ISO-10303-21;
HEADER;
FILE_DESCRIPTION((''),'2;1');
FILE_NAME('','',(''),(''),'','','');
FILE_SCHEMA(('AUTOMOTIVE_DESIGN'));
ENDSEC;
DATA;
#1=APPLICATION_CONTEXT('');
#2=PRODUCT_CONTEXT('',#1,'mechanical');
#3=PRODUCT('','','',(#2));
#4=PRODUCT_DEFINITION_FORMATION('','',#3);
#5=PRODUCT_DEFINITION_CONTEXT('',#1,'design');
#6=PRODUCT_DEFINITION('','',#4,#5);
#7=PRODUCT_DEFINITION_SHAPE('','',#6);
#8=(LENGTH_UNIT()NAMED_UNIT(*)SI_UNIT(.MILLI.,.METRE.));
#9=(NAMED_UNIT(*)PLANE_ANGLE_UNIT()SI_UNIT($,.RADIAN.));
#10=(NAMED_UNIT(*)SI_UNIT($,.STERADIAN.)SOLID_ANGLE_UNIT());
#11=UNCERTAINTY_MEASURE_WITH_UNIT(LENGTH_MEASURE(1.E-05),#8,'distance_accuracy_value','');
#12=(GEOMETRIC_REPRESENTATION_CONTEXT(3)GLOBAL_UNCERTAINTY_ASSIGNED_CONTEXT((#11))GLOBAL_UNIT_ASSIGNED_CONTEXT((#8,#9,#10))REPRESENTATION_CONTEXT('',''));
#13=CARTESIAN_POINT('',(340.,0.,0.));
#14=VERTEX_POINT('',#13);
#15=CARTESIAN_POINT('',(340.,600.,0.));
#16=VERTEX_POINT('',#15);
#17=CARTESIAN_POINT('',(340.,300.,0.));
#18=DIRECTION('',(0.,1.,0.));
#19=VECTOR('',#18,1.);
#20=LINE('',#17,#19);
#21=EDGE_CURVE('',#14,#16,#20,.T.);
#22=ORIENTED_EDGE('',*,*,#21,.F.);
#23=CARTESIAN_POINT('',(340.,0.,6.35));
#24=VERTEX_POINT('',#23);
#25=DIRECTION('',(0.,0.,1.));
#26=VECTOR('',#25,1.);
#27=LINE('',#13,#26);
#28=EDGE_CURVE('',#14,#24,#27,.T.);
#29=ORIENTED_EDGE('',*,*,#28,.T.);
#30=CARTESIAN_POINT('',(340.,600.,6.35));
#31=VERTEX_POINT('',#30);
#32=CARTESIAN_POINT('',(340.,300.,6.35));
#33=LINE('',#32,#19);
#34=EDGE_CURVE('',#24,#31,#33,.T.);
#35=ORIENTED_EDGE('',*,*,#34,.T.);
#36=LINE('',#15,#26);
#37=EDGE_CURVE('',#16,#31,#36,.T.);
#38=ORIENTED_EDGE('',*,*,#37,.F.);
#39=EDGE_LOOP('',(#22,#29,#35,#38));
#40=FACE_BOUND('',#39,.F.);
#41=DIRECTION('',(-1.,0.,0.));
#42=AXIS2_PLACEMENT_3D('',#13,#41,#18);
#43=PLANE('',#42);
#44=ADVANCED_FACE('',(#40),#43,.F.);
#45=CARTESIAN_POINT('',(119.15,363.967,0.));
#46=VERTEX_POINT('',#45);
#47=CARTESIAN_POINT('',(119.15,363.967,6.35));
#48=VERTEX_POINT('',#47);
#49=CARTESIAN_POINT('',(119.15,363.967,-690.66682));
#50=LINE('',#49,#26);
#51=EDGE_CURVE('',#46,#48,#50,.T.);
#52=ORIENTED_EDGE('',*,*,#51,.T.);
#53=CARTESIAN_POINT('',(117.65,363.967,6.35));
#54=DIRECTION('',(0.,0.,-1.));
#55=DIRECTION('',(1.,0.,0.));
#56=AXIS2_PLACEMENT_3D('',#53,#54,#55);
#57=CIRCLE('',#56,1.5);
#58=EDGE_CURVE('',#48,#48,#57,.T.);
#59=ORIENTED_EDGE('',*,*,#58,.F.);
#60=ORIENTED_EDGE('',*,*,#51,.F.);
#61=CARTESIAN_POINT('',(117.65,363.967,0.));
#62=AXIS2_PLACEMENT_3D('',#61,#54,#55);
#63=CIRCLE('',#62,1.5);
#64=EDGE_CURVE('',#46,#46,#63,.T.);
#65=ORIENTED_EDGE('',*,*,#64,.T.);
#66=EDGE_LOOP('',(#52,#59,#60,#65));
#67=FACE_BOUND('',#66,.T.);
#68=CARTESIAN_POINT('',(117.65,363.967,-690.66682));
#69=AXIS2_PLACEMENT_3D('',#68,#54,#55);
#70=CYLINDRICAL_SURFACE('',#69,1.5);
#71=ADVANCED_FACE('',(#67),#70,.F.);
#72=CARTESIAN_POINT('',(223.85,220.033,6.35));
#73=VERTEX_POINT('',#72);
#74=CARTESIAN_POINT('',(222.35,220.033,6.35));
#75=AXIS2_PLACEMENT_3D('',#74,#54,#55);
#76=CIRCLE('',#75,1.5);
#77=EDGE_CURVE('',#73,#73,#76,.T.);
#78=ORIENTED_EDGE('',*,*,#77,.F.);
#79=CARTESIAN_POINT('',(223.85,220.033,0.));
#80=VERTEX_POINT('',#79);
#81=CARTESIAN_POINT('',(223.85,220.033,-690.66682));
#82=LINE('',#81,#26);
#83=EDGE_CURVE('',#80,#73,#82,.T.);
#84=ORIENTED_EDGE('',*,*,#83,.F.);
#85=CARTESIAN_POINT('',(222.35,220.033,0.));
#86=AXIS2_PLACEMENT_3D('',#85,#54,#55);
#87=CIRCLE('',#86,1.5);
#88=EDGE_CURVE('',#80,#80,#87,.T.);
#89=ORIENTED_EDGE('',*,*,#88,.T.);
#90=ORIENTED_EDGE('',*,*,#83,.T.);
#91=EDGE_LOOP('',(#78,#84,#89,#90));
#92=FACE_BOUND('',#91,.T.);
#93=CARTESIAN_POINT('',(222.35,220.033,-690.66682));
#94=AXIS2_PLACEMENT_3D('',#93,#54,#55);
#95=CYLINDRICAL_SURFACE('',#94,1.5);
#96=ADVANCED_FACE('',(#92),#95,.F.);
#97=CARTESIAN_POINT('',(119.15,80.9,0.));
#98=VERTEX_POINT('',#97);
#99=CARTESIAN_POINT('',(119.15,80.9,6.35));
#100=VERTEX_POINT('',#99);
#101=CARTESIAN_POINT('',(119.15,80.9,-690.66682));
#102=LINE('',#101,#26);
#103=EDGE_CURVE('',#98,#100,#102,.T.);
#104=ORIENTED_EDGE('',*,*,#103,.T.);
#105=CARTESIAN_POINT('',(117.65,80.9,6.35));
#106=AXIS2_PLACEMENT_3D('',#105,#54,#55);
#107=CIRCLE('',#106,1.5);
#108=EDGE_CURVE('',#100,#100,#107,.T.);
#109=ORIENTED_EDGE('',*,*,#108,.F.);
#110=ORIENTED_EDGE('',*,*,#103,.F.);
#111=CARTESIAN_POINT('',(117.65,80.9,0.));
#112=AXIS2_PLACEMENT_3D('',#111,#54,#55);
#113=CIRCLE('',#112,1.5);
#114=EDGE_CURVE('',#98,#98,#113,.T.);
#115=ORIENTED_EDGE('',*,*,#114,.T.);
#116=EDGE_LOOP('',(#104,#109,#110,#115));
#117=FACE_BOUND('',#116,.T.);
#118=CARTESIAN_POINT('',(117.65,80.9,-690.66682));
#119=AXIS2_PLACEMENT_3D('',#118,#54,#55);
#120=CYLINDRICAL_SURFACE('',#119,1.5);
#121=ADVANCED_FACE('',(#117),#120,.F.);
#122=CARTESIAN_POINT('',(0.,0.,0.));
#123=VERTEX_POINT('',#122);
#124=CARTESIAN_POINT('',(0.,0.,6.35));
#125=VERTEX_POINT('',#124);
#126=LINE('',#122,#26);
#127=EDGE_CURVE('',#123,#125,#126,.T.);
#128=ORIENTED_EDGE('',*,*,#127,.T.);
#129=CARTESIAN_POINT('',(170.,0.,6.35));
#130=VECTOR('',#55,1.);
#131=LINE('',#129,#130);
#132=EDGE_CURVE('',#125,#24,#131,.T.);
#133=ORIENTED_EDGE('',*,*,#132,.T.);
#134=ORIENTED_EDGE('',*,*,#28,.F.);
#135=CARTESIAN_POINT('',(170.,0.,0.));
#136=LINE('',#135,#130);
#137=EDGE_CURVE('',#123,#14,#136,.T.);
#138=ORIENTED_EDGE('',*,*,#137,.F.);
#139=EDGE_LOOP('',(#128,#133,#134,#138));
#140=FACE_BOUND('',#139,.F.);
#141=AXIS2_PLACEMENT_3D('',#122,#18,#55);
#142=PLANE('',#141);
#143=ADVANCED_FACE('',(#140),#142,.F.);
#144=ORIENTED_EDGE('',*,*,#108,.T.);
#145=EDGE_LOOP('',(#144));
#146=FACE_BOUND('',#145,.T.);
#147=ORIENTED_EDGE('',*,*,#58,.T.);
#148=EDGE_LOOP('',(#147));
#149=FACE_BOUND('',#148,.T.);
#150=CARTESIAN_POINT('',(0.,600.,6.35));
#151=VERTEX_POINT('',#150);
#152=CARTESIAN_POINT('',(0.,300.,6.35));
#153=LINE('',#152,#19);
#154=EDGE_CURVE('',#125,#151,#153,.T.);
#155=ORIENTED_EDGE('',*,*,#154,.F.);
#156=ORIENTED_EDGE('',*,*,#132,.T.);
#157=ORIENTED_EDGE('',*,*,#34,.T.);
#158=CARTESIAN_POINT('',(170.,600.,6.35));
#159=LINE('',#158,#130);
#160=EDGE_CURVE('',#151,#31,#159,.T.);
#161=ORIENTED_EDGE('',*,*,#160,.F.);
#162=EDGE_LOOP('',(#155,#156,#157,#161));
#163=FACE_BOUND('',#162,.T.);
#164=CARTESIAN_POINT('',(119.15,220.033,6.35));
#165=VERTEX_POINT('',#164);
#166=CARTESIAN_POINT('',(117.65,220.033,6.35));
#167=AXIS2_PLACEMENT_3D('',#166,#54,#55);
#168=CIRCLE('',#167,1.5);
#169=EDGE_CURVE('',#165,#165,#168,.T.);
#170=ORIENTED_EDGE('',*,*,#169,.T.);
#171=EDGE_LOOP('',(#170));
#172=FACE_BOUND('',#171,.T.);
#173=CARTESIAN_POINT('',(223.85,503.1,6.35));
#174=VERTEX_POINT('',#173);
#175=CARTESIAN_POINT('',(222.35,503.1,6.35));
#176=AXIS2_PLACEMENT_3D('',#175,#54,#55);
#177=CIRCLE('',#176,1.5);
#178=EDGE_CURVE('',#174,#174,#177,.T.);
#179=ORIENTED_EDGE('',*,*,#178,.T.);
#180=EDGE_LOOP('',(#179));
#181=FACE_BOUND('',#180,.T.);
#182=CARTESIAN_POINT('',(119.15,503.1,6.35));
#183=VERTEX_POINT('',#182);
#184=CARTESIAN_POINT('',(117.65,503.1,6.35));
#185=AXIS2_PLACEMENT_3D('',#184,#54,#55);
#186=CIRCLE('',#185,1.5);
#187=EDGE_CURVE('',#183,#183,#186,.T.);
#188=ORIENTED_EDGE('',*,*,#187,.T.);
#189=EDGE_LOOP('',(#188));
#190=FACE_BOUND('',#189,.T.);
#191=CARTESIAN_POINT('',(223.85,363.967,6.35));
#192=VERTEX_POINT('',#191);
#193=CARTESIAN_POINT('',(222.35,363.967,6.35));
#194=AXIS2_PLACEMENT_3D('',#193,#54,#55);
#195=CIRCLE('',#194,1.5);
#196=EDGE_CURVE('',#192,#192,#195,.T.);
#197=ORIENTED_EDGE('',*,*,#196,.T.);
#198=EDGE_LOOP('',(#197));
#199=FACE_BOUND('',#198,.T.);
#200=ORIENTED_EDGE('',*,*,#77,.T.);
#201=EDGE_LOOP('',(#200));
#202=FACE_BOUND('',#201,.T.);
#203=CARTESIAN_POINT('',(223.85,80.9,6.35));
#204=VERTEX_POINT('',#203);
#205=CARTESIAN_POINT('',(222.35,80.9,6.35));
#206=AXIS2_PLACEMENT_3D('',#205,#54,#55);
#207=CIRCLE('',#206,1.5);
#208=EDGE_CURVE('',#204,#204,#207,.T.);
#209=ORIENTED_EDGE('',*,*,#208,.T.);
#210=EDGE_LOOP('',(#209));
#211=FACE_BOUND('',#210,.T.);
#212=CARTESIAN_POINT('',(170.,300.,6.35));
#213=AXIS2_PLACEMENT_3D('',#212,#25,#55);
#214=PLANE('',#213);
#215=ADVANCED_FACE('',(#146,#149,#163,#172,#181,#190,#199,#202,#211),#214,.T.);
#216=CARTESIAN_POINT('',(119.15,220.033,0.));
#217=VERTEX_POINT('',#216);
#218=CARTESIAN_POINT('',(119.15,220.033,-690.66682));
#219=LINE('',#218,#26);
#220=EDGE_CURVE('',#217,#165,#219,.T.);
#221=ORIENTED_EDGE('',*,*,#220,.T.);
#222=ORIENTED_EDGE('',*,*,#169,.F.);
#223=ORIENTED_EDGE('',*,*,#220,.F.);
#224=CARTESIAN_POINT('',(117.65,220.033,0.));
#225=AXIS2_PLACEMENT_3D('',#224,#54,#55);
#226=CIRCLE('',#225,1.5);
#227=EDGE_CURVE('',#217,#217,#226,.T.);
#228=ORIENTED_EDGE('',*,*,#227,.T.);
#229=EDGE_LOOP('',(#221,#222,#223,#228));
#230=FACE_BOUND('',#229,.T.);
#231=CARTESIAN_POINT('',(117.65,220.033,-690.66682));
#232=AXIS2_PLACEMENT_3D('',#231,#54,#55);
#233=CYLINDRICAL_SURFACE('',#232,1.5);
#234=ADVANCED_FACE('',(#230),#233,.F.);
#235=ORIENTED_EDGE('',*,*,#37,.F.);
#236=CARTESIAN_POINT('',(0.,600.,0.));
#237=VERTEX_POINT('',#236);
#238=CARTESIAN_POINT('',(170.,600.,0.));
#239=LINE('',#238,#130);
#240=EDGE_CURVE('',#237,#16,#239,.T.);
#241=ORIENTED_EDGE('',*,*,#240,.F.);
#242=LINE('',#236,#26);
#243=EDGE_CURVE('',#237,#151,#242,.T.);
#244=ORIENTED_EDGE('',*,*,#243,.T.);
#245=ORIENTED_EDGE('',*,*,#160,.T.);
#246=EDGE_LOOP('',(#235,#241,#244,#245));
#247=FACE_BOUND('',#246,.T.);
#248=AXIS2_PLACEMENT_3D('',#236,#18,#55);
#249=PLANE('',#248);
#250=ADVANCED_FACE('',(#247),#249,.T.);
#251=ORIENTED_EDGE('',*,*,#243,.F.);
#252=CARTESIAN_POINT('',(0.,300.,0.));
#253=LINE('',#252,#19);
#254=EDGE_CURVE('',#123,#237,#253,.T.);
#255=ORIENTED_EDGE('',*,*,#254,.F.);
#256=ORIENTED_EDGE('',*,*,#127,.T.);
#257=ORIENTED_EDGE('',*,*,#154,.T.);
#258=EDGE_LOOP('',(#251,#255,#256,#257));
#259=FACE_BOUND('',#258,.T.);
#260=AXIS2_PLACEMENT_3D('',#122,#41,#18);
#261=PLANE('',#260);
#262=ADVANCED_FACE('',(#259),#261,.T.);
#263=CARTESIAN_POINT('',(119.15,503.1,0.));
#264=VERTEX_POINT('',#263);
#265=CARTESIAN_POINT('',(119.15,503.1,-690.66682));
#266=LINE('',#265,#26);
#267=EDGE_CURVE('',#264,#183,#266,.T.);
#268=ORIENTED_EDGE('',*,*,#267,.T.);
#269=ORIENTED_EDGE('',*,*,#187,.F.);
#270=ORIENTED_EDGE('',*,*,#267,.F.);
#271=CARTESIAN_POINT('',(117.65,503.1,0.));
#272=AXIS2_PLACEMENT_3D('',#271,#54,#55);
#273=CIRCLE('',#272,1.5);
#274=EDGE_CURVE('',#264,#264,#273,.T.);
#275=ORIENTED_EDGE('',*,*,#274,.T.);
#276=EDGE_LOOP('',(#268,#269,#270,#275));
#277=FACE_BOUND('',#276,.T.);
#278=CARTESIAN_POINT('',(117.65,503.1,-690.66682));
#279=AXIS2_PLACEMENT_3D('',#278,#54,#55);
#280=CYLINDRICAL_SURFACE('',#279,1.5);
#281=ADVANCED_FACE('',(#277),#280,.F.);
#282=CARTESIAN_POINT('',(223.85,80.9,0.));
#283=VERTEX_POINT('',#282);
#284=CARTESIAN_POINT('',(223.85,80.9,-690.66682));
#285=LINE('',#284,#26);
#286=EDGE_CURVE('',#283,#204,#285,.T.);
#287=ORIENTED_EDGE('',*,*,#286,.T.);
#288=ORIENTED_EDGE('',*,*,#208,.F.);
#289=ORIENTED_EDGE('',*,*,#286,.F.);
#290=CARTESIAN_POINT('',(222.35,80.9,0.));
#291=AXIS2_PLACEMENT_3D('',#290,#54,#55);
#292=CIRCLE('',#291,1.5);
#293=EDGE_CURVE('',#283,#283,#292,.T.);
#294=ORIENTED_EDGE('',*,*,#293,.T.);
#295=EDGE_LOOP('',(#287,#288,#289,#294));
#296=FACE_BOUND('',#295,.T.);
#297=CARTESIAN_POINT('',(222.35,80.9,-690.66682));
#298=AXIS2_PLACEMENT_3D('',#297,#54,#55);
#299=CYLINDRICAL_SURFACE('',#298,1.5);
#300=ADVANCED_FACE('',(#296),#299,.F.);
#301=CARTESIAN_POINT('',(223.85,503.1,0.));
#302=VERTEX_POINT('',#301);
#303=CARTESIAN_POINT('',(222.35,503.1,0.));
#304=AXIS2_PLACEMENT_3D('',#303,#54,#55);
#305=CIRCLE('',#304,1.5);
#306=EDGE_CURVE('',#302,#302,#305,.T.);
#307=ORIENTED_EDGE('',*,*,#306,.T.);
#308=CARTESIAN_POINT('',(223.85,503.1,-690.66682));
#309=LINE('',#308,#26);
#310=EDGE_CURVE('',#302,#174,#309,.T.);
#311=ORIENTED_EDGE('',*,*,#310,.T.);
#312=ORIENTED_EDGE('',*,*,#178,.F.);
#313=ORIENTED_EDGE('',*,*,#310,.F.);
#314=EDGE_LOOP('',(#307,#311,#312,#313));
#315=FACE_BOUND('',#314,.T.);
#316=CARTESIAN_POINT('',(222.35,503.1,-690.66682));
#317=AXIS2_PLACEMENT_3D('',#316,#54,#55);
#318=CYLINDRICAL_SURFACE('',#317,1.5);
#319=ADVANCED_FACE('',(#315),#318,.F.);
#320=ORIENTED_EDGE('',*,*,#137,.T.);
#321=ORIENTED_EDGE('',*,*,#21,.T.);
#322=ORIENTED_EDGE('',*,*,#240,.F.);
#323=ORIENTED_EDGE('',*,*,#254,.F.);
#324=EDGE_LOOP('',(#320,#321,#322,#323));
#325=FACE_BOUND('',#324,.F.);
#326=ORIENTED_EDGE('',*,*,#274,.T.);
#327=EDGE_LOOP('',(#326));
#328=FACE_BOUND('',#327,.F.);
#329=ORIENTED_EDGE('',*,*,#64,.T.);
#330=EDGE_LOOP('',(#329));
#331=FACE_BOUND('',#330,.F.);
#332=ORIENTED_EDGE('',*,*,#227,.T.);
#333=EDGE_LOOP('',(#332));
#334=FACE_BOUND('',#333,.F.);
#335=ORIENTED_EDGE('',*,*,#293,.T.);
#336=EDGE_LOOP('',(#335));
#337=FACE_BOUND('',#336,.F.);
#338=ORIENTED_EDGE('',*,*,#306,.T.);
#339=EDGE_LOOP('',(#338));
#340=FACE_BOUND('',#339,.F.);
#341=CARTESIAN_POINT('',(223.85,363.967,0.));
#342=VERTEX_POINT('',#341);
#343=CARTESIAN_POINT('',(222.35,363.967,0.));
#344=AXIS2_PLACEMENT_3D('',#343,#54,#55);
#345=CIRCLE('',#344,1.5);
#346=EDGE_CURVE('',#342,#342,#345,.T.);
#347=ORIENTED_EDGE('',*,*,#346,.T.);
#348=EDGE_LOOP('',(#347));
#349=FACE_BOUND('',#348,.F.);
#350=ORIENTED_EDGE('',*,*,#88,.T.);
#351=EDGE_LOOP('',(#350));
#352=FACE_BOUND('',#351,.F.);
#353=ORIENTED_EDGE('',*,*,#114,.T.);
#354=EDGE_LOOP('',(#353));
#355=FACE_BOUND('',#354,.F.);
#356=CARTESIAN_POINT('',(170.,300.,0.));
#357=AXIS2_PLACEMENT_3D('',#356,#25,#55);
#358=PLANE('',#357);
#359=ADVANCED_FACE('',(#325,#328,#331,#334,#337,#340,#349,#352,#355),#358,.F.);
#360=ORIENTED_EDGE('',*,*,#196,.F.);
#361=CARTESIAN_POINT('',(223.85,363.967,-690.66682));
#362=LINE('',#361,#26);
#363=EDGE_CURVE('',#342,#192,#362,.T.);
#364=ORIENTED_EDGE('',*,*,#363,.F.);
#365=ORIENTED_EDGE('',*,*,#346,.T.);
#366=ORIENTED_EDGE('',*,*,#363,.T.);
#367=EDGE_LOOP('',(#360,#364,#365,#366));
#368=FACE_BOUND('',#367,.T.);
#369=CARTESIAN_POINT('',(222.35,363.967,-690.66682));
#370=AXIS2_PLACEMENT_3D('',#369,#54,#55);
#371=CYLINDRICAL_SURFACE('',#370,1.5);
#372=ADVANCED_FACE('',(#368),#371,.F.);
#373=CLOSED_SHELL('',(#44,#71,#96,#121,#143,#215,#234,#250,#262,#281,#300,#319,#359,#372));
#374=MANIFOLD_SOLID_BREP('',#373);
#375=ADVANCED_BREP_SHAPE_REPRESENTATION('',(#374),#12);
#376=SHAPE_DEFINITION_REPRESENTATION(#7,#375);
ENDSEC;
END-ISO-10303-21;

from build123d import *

# Parameters (mm, degrees)
SKETCH1_W        = 340
SKETCH1_H        = 600
SHEET_DEPTH      = 6.35
HOLES_DEPTH      = 690.666819921
HOLES_DEPTH_BACK = 690.666819921
SKETCH2_R        = 1.5


with BuildPart() as part:
    # Sketch1 → Sheet (new body)
    with BuildSketch(Plane.XY):
        with Locations((170, 300)):
            Rectangle(SKETCH1_W, SKETCH1_H)
    extrude(amount=SHEET_DEPTH)

    # Sketch2 → Holes (cut, two sides: drawn at the far end of the back side and taken through both)
    with BuildSketch(Plane.XY.offset(-HOLES_DEPTH_BACK)):
        with Locations((222.35, 80.9)):
            Circle(SKETCH2_R)
        with Locations((117.65, 80.9)):
            Circle(SKETCH2_R)
        with Locations((222.35, 220.033)):
            Circle(SKETCH2_R)
        with Locations((117.65, 220.033)):
            Circle(SKETCH2_R)
        with Locations((222.35, 363.967)):
            Circle(SKETCH2_R)
        with Locations((117.65, 363.967)):
            Circle(SKETCH2_R)
        with Locations((222.35, 503.1)):
            Circle(SKETCH2_R)
        with Locations((117.65, 503.1)):
            Circle(SKETCH2_R)
    extrude(amount=HOLES_DEPTH + HOLES_DEPTH_BACK, mode=Mode.SUBTRACT)


solid = part.part
